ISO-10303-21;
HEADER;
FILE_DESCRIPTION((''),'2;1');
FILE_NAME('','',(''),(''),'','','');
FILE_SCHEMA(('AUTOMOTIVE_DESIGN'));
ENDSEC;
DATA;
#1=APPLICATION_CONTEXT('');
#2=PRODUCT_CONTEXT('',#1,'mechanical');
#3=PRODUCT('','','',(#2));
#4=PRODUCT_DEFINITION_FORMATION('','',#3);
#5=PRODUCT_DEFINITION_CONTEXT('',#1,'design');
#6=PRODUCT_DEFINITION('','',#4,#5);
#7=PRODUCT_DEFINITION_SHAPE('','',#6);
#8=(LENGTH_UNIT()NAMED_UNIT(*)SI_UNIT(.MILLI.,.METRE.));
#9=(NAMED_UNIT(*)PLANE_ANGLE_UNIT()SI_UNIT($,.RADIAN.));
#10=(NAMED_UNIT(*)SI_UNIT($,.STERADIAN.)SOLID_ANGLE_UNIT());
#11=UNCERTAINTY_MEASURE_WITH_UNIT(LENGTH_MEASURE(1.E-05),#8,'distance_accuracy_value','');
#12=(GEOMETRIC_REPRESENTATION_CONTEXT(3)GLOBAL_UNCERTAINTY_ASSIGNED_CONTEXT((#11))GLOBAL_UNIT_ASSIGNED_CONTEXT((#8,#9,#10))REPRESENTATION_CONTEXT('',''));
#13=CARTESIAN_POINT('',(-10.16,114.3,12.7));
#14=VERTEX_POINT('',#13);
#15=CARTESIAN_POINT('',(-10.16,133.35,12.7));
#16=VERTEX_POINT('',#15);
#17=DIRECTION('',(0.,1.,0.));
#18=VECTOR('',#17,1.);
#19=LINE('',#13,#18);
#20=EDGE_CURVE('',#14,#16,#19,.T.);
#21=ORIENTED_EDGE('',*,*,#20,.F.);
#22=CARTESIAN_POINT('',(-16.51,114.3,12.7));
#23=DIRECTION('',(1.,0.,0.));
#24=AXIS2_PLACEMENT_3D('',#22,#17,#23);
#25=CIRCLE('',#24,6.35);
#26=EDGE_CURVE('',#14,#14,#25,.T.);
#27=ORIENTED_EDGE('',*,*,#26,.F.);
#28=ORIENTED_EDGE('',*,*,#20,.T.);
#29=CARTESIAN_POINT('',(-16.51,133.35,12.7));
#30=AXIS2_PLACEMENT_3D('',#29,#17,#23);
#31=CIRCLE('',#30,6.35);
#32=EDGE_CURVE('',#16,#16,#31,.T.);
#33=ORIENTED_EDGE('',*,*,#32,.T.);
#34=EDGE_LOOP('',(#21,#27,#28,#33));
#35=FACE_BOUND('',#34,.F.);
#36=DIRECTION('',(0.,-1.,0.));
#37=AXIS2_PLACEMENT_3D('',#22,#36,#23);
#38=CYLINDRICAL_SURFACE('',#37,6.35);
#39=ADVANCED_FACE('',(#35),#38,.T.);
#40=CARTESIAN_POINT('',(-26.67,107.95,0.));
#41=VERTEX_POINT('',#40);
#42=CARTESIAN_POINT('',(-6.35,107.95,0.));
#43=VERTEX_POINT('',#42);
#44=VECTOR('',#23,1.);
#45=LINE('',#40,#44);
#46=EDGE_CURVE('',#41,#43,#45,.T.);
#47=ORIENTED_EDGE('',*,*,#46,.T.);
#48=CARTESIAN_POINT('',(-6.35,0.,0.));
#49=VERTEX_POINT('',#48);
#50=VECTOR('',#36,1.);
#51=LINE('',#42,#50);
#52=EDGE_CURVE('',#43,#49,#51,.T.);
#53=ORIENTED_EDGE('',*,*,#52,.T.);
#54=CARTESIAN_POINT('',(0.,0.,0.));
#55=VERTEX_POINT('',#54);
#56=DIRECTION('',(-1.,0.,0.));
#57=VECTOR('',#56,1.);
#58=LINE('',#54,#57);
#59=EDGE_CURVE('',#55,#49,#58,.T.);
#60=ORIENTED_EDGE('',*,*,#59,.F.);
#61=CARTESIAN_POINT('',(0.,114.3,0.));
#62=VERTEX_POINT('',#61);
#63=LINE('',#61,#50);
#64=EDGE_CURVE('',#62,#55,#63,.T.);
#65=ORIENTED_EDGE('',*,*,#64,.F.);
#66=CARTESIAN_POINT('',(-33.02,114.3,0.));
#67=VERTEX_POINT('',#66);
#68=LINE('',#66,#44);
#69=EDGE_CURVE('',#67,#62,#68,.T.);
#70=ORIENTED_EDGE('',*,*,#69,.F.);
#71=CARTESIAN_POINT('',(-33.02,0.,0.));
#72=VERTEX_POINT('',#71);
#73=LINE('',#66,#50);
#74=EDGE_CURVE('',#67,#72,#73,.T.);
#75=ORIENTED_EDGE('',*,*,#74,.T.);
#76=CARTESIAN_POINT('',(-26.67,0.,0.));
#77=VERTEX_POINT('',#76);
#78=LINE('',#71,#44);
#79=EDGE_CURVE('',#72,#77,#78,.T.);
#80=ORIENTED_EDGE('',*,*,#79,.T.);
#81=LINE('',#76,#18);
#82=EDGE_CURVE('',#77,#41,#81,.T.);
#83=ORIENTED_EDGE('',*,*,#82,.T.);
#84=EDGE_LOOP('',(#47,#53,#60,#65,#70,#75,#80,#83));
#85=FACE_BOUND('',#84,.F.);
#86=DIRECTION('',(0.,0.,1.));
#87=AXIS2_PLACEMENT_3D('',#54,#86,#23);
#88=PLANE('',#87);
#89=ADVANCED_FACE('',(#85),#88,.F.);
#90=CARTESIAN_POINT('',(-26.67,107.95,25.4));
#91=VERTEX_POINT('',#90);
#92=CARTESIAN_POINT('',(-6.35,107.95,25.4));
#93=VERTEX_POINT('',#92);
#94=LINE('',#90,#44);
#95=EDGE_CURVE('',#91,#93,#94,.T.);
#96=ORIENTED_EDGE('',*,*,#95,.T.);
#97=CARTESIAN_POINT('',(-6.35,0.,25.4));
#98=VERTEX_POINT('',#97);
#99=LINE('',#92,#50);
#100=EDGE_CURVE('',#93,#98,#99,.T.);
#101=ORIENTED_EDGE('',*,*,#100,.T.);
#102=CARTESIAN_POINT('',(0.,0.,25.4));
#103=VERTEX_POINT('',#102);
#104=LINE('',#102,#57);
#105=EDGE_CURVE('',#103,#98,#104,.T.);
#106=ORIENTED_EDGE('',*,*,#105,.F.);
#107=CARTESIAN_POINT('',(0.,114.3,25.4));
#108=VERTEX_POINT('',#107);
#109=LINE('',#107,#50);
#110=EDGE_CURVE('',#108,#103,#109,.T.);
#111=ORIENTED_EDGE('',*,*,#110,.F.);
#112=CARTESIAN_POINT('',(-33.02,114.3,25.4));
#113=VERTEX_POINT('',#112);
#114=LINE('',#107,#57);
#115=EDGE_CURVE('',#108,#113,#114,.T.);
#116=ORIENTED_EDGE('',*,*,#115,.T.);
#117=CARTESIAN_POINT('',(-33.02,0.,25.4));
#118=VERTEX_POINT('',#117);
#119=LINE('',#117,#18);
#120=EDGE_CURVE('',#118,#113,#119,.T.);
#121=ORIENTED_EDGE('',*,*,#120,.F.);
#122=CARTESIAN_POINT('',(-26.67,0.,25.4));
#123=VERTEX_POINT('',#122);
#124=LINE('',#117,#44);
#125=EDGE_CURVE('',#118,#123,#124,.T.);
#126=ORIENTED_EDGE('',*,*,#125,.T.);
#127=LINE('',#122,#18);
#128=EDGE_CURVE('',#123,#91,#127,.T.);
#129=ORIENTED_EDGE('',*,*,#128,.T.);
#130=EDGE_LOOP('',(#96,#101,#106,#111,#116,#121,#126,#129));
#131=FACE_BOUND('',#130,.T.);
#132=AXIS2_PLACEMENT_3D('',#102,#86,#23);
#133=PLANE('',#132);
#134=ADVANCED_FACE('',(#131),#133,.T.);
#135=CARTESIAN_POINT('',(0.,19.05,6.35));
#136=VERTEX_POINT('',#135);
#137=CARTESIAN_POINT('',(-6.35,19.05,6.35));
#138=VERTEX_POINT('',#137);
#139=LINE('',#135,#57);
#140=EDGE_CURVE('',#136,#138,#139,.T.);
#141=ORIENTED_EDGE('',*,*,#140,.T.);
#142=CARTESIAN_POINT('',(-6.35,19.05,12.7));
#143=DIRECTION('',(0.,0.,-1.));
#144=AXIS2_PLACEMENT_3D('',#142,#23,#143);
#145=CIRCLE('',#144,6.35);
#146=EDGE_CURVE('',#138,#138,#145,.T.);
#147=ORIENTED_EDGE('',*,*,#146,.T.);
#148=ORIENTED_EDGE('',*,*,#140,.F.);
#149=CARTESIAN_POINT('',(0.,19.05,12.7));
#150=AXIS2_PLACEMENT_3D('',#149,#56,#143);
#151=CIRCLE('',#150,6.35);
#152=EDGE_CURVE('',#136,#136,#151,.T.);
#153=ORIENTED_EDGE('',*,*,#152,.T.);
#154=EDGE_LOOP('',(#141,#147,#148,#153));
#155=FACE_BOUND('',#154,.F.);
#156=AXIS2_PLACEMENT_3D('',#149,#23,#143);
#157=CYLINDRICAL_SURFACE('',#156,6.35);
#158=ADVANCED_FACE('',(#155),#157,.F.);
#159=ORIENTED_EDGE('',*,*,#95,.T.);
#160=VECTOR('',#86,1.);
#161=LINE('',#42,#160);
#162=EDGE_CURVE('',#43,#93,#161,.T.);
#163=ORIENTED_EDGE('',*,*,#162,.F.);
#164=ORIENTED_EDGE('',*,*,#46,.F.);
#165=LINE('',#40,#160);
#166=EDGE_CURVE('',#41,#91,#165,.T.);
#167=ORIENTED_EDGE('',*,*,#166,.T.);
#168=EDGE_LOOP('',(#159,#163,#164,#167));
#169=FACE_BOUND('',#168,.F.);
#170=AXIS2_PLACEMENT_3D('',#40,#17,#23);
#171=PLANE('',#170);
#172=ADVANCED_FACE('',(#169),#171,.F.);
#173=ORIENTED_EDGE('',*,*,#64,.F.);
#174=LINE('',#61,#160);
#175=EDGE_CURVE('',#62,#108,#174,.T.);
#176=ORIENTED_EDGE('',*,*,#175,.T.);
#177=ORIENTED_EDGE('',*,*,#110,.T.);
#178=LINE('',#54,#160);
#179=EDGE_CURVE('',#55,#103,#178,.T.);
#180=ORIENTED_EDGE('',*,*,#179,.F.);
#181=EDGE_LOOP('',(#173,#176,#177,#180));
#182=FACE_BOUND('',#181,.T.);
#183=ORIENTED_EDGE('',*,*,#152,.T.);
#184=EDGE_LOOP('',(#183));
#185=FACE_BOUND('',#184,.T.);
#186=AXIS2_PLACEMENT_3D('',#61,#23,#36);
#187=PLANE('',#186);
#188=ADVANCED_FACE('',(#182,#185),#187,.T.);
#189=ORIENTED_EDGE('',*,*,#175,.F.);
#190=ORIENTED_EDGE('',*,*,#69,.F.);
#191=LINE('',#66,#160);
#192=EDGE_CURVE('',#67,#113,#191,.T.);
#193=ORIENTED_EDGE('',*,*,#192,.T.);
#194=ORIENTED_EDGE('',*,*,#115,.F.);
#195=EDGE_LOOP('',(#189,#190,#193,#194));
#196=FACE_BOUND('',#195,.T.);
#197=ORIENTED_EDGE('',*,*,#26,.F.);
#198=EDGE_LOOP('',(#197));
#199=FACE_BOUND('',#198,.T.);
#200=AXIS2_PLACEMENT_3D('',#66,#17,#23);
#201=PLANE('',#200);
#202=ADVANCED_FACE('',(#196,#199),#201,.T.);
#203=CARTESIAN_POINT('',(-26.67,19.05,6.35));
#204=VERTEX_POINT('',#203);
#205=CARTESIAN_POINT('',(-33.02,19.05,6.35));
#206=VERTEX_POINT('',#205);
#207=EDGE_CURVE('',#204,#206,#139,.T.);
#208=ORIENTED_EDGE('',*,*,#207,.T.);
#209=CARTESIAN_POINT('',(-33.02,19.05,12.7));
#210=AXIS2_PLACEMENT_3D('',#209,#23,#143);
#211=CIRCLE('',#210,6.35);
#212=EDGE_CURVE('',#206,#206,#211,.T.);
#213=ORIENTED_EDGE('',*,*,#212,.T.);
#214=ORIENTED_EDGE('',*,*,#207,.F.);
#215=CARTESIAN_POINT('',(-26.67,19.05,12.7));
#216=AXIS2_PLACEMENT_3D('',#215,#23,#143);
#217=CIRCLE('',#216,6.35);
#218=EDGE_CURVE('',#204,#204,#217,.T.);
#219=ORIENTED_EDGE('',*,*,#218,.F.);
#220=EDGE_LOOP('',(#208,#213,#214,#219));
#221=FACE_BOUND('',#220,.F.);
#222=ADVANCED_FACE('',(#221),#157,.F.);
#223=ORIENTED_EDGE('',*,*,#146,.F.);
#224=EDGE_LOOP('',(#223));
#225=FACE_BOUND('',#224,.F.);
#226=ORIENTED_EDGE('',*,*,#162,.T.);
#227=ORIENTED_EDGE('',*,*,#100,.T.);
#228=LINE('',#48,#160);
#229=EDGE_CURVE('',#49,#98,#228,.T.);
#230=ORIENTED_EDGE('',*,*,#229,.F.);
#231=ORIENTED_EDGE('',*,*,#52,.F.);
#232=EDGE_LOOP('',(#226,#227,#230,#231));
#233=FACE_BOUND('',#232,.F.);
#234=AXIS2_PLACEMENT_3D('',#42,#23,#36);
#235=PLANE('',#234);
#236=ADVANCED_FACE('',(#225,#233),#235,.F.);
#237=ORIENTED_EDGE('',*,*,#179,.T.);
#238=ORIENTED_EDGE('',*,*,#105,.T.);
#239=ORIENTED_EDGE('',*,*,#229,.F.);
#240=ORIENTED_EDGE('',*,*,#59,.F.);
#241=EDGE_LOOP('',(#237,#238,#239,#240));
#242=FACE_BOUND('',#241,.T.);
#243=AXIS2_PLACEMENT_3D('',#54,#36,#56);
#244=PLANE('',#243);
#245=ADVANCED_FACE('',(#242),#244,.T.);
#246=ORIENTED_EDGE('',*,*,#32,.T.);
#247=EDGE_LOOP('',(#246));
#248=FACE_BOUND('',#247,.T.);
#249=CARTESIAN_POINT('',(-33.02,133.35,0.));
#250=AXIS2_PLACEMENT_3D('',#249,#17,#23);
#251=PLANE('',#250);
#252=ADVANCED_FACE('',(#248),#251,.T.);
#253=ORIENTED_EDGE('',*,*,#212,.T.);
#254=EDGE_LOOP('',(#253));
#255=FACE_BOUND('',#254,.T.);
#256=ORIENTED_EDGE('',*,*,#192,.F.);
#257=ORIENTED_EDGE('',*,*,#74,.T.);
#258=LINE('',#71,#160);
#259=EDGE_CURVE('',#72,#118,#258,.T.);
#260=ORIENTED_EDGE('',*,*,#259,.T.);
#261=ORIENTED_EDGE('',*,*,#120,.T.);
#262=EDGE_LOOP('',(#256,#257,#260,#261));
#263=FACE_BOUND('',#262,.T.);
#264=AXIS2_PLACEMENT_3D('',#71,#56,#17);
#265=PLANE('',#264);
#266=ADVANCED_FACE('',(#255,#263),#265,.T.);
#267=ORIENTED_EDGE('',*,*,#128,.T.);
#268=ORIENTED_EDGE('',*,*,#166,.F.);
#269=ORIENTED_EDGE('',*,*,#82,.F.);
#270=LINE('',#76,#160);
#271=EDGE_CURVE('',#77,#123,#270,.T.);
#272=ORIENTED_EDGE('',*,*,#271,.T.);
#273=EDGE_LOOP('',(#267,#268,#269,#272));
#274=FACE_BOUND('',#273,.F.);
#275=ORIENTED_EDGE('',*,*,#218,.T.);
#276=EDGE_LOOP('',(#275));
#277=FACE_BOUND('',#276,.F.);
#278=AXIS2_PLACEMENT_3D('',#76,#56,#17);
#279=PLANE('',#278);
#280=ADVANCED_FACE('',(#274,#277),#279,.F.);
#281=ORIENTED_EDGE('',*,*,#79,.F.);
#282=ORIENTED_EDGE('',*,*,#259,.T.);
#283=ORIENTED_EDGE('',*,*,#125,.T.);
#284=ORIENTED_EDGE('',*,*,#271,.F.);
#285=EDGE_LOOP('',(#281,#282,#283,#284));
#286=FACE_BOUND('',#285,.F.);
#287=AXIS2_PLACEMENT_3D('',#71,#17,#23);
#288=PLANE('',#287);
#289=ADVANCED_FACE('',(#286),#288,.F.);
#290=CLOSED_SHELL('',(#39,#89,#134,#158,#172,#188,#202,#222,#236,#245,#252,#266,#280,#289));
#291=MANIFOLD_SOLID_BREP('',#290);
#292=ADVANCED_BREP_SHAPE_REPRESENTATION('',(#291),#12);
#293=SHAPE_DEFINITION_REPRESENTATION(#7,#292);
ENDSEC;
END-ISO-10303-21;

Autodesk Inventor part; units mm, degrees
ref_plane "YZ Plane" through (0, 0, 0) normal (1, 0, 0) x (0, 1, 0)
ref_plane "XZ Plane" through (0, 0, 0) normal (0, 1, 0) x (-1, 0, 0)
ref_plane "XY Plane" through (0, 0, 0) normal (0, 0, 1) x (1, 0, 0)
sketch "Sketch1" plane through (0, 0, 0) normal (0, 0, 1) x (1, 0, 0)
  line L0 (-33.02, 0) -> (-33.02, 114.3)
  line L1 (-33.02, 114.3) -> (0, 114.3)
  line L2 (0, 114.3) -> (0, 0)
  line L3 (-33.02, 0) -> (-26.67, 0)
  line L4 (-26.67, 0) -> (-26.67, 107.95)
  line L5 (-33.02, 114.3) -> (-33.02, 107.95)
  line L6 (-26.67, 107.95) -> (-6.35, 107.95)
  line L7 (0, 114.3) -> (-6.35, 114.3)
  line L8 (-6.35, 107.95) -> (-6.35, 0)
  line L9 (0, 0) -> (-6.35, 0)
  line L10 (-26.67, 0) -> (-33.02, 0)
  dimension "d0" = 33.02
  dimension "d1" = 114.3
  dimension "d2" = 6.35
  dimension "d3" = 6.35
  dimension "d4" = 6.35
  dimension "d11" = 114.3
extrude "Extrusion1" add sketch "Sketch1" along normal blind 25.4
sketch "Sketch2" plane through (0, 0, 0) normal (1, 0, 0) x (0, 0, -1)
  line L0 (0, 0) -> (-25.4, 0) projected
  line L1 (0, 114.3) -> (-25.4, 114.3) projected
  line L2 (-12.7, 0) -> (-12.7, 19.05)
  circle A0 centre (-12.7, 19.05) radius 6.35
  dimension "d7" = 19.05
  dimension "d8" = 12.7
extrude "Extrusion2" cut sketch "Sketch2" against normal blind 254
sketch "Sketch3" plane through (-33.02, 114.3, 0) normal (0, 1, 0) x (1, 0, 0)
  circle A0 centre (16.51, -12.7) radius 6.35
  dimension "d12" = 12.7
extrude "Extrusion3" add sketch "Sketch3" along normal blind 19.05
properties part number "wheel support"
